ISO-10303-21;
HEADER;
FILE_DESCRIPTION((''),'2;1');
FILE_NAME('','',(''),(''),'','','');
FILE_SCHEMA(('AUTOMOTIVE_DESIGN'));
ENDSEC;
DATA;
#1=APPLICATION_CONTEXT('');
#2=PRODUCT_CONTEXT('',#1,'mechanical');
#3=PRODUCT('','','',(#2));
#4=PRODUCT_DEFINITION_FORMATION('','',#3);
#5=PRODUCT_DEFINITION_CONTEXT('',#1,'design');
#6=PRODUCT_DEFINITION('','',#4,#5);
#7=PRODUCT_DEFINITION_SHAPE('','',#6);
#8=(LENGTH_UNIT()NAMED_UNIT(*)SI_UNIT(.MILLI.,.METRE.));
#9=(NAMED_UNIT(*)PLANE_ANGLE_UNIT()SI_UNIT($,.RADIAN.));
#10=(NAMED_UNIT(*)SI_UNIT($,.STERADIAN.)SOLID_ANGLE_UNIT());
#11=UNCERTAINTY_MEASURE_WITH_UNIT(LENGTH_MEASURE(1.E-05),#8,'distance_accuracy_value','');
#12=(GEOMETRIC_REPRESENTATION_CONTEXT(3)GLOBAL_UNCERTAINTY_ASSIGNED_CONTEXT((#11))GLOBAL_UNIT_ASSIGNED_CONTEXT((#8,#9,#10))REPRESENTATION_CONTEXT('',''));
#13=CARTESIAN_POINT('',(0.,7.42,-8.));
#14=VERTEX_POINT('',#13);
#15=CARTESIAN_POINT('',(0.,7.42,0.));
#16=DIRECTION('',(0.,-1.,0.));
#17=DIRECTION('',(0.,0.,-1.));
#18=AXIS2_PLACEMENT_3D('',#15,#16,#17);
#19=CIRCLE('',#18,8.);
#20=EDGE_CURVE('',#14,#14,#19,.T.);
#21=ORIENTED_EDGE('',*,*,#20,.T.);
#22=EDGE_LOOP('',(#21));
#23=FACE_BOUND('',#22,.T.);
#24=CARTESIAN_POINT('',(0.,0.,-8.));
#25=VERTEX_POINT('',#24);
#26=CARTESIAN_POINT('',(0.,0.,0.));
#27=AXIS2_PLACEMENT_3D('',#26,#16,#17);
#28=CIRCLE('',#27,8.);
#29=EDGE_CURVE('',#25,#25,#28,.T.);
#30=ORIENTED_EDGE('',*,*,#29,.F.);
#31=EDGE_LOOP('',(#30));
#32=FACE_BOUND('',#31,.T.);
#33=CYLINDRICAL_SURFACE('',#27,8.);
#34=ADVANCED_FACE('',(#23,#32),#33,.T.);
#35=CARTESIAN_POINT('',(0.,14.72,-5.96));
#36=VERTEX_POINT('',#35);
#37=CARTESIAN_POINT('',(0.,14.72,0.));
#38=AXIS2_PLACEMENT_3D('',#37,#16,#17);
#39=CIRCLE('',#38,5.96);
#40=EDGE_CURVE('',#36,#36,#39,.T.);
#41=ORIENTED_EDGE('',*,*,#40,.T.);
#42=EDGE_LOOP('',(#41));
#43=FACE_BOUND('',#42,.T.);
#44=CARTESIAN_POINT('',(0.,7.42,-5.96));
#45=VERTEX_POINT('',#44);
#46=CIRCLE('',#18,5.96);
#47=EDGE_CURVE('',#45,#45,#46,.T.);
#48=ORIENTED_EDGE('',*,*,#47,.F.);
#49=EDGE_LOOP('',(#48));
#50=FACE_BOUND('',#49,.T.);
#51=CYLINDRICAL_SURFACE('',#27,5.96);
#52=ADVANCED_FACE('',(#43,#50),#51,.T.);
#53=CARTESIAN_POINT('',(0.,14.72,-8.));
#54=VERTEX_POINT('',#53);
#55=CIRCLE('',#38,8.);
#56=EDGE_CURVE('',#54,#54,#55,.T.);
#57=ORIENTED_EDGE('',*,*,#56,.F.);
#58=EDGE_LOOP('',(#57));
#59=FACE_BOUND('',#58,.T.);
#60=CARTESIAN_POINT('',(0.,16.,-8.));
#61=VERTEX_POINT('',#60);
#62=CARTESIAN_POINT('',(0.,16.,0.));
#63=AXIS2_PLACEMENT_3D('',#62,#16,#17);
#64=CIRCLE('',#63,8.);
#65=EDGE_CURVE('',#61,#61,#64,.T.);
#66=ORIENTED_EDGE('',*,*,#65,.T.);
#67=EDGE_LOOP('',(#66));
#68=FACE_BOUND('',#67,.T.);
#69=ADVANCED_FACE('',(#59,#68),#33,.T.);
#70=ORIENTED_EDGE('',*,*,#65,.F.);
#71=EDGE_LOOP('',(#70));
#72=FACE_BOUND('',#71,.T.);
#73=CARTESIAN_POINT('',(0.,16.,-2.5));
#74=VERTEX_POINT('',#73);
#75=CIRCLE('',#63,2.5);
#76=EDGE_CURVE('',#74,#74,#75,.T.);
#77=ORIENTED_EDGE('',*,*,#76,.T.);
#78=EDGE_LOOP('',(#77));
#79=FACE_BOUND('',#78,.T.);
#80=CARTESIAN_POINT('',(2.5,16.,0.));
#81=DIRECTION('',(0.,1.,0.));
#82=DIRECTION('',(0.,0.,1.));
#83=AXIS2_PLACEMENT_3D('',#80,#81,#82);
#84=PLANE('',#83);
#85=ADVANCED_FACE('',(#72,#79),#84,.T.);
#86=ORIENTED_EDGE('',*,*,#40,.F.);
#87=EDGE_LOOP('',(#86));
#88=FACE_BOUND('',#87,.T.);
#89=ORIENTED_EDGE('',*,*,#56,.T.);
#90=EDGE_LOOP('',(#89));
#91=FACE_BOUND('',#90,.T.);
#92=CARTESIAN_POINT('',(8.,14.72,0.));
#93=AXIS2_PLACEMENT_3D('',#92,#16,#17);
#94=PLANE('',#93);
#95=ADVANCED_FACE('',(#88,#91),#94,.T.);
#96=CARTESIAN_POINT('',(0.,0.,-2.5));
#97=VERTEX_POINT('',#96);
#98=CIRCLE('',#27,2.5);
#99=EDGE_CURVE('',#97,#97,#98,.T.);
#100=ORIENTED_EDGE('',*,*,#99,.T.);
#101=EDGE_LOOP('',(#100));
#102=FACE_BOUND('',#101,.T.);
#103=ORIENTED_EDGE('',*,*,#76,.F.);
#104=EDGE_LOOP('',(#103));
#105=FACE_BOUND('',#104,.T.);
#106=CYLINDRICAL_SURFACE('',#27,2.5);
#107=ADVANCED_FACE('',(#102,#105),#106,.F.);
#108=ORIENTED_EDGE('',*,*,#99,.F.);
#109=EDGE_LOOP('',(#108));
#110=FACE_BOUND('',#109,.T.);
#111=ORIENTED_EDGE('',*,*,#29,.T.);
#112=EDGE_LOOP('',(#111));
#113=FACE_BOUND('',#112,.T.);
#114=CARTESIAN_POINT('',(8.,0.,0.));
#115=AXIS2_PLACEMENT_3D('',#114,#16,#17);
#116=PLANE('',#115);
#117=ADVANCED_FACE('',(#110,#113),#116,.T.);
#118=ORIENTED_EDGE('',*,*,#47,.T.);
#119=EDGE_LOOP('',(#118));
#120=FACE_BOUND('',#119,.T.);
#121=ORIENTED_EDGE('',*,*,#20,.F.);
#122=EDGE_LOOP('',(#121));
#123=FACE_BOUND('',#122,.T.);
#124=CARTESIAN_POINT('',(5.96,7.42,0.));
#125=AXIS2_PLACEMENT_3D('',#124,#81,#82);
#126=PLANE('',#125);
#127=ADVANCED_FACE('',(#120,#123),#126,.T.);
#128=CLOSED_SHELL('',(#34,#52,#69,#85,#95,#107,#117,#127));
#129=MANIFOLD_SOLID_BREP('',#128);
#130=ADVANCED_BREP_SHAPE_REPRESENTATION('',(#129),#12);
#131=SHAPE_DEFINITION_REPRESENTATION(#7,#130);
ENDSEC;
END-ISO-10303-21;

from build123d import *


with BuildPart() as part:
    # Sketch1 → Revolve1 (revolve)
    with BuildSketch(Plane.XY):
        Polygon((2.5, 0), (2.5, 16), (8, 16), (8, 14.72), (5.96, 14.72), (5.96, 7.42), (8, 7.42), (8, 0), align=None)
    revolve(axis=Axis((0, 0, 0), (0, 1, 0)))


solid = part.part
